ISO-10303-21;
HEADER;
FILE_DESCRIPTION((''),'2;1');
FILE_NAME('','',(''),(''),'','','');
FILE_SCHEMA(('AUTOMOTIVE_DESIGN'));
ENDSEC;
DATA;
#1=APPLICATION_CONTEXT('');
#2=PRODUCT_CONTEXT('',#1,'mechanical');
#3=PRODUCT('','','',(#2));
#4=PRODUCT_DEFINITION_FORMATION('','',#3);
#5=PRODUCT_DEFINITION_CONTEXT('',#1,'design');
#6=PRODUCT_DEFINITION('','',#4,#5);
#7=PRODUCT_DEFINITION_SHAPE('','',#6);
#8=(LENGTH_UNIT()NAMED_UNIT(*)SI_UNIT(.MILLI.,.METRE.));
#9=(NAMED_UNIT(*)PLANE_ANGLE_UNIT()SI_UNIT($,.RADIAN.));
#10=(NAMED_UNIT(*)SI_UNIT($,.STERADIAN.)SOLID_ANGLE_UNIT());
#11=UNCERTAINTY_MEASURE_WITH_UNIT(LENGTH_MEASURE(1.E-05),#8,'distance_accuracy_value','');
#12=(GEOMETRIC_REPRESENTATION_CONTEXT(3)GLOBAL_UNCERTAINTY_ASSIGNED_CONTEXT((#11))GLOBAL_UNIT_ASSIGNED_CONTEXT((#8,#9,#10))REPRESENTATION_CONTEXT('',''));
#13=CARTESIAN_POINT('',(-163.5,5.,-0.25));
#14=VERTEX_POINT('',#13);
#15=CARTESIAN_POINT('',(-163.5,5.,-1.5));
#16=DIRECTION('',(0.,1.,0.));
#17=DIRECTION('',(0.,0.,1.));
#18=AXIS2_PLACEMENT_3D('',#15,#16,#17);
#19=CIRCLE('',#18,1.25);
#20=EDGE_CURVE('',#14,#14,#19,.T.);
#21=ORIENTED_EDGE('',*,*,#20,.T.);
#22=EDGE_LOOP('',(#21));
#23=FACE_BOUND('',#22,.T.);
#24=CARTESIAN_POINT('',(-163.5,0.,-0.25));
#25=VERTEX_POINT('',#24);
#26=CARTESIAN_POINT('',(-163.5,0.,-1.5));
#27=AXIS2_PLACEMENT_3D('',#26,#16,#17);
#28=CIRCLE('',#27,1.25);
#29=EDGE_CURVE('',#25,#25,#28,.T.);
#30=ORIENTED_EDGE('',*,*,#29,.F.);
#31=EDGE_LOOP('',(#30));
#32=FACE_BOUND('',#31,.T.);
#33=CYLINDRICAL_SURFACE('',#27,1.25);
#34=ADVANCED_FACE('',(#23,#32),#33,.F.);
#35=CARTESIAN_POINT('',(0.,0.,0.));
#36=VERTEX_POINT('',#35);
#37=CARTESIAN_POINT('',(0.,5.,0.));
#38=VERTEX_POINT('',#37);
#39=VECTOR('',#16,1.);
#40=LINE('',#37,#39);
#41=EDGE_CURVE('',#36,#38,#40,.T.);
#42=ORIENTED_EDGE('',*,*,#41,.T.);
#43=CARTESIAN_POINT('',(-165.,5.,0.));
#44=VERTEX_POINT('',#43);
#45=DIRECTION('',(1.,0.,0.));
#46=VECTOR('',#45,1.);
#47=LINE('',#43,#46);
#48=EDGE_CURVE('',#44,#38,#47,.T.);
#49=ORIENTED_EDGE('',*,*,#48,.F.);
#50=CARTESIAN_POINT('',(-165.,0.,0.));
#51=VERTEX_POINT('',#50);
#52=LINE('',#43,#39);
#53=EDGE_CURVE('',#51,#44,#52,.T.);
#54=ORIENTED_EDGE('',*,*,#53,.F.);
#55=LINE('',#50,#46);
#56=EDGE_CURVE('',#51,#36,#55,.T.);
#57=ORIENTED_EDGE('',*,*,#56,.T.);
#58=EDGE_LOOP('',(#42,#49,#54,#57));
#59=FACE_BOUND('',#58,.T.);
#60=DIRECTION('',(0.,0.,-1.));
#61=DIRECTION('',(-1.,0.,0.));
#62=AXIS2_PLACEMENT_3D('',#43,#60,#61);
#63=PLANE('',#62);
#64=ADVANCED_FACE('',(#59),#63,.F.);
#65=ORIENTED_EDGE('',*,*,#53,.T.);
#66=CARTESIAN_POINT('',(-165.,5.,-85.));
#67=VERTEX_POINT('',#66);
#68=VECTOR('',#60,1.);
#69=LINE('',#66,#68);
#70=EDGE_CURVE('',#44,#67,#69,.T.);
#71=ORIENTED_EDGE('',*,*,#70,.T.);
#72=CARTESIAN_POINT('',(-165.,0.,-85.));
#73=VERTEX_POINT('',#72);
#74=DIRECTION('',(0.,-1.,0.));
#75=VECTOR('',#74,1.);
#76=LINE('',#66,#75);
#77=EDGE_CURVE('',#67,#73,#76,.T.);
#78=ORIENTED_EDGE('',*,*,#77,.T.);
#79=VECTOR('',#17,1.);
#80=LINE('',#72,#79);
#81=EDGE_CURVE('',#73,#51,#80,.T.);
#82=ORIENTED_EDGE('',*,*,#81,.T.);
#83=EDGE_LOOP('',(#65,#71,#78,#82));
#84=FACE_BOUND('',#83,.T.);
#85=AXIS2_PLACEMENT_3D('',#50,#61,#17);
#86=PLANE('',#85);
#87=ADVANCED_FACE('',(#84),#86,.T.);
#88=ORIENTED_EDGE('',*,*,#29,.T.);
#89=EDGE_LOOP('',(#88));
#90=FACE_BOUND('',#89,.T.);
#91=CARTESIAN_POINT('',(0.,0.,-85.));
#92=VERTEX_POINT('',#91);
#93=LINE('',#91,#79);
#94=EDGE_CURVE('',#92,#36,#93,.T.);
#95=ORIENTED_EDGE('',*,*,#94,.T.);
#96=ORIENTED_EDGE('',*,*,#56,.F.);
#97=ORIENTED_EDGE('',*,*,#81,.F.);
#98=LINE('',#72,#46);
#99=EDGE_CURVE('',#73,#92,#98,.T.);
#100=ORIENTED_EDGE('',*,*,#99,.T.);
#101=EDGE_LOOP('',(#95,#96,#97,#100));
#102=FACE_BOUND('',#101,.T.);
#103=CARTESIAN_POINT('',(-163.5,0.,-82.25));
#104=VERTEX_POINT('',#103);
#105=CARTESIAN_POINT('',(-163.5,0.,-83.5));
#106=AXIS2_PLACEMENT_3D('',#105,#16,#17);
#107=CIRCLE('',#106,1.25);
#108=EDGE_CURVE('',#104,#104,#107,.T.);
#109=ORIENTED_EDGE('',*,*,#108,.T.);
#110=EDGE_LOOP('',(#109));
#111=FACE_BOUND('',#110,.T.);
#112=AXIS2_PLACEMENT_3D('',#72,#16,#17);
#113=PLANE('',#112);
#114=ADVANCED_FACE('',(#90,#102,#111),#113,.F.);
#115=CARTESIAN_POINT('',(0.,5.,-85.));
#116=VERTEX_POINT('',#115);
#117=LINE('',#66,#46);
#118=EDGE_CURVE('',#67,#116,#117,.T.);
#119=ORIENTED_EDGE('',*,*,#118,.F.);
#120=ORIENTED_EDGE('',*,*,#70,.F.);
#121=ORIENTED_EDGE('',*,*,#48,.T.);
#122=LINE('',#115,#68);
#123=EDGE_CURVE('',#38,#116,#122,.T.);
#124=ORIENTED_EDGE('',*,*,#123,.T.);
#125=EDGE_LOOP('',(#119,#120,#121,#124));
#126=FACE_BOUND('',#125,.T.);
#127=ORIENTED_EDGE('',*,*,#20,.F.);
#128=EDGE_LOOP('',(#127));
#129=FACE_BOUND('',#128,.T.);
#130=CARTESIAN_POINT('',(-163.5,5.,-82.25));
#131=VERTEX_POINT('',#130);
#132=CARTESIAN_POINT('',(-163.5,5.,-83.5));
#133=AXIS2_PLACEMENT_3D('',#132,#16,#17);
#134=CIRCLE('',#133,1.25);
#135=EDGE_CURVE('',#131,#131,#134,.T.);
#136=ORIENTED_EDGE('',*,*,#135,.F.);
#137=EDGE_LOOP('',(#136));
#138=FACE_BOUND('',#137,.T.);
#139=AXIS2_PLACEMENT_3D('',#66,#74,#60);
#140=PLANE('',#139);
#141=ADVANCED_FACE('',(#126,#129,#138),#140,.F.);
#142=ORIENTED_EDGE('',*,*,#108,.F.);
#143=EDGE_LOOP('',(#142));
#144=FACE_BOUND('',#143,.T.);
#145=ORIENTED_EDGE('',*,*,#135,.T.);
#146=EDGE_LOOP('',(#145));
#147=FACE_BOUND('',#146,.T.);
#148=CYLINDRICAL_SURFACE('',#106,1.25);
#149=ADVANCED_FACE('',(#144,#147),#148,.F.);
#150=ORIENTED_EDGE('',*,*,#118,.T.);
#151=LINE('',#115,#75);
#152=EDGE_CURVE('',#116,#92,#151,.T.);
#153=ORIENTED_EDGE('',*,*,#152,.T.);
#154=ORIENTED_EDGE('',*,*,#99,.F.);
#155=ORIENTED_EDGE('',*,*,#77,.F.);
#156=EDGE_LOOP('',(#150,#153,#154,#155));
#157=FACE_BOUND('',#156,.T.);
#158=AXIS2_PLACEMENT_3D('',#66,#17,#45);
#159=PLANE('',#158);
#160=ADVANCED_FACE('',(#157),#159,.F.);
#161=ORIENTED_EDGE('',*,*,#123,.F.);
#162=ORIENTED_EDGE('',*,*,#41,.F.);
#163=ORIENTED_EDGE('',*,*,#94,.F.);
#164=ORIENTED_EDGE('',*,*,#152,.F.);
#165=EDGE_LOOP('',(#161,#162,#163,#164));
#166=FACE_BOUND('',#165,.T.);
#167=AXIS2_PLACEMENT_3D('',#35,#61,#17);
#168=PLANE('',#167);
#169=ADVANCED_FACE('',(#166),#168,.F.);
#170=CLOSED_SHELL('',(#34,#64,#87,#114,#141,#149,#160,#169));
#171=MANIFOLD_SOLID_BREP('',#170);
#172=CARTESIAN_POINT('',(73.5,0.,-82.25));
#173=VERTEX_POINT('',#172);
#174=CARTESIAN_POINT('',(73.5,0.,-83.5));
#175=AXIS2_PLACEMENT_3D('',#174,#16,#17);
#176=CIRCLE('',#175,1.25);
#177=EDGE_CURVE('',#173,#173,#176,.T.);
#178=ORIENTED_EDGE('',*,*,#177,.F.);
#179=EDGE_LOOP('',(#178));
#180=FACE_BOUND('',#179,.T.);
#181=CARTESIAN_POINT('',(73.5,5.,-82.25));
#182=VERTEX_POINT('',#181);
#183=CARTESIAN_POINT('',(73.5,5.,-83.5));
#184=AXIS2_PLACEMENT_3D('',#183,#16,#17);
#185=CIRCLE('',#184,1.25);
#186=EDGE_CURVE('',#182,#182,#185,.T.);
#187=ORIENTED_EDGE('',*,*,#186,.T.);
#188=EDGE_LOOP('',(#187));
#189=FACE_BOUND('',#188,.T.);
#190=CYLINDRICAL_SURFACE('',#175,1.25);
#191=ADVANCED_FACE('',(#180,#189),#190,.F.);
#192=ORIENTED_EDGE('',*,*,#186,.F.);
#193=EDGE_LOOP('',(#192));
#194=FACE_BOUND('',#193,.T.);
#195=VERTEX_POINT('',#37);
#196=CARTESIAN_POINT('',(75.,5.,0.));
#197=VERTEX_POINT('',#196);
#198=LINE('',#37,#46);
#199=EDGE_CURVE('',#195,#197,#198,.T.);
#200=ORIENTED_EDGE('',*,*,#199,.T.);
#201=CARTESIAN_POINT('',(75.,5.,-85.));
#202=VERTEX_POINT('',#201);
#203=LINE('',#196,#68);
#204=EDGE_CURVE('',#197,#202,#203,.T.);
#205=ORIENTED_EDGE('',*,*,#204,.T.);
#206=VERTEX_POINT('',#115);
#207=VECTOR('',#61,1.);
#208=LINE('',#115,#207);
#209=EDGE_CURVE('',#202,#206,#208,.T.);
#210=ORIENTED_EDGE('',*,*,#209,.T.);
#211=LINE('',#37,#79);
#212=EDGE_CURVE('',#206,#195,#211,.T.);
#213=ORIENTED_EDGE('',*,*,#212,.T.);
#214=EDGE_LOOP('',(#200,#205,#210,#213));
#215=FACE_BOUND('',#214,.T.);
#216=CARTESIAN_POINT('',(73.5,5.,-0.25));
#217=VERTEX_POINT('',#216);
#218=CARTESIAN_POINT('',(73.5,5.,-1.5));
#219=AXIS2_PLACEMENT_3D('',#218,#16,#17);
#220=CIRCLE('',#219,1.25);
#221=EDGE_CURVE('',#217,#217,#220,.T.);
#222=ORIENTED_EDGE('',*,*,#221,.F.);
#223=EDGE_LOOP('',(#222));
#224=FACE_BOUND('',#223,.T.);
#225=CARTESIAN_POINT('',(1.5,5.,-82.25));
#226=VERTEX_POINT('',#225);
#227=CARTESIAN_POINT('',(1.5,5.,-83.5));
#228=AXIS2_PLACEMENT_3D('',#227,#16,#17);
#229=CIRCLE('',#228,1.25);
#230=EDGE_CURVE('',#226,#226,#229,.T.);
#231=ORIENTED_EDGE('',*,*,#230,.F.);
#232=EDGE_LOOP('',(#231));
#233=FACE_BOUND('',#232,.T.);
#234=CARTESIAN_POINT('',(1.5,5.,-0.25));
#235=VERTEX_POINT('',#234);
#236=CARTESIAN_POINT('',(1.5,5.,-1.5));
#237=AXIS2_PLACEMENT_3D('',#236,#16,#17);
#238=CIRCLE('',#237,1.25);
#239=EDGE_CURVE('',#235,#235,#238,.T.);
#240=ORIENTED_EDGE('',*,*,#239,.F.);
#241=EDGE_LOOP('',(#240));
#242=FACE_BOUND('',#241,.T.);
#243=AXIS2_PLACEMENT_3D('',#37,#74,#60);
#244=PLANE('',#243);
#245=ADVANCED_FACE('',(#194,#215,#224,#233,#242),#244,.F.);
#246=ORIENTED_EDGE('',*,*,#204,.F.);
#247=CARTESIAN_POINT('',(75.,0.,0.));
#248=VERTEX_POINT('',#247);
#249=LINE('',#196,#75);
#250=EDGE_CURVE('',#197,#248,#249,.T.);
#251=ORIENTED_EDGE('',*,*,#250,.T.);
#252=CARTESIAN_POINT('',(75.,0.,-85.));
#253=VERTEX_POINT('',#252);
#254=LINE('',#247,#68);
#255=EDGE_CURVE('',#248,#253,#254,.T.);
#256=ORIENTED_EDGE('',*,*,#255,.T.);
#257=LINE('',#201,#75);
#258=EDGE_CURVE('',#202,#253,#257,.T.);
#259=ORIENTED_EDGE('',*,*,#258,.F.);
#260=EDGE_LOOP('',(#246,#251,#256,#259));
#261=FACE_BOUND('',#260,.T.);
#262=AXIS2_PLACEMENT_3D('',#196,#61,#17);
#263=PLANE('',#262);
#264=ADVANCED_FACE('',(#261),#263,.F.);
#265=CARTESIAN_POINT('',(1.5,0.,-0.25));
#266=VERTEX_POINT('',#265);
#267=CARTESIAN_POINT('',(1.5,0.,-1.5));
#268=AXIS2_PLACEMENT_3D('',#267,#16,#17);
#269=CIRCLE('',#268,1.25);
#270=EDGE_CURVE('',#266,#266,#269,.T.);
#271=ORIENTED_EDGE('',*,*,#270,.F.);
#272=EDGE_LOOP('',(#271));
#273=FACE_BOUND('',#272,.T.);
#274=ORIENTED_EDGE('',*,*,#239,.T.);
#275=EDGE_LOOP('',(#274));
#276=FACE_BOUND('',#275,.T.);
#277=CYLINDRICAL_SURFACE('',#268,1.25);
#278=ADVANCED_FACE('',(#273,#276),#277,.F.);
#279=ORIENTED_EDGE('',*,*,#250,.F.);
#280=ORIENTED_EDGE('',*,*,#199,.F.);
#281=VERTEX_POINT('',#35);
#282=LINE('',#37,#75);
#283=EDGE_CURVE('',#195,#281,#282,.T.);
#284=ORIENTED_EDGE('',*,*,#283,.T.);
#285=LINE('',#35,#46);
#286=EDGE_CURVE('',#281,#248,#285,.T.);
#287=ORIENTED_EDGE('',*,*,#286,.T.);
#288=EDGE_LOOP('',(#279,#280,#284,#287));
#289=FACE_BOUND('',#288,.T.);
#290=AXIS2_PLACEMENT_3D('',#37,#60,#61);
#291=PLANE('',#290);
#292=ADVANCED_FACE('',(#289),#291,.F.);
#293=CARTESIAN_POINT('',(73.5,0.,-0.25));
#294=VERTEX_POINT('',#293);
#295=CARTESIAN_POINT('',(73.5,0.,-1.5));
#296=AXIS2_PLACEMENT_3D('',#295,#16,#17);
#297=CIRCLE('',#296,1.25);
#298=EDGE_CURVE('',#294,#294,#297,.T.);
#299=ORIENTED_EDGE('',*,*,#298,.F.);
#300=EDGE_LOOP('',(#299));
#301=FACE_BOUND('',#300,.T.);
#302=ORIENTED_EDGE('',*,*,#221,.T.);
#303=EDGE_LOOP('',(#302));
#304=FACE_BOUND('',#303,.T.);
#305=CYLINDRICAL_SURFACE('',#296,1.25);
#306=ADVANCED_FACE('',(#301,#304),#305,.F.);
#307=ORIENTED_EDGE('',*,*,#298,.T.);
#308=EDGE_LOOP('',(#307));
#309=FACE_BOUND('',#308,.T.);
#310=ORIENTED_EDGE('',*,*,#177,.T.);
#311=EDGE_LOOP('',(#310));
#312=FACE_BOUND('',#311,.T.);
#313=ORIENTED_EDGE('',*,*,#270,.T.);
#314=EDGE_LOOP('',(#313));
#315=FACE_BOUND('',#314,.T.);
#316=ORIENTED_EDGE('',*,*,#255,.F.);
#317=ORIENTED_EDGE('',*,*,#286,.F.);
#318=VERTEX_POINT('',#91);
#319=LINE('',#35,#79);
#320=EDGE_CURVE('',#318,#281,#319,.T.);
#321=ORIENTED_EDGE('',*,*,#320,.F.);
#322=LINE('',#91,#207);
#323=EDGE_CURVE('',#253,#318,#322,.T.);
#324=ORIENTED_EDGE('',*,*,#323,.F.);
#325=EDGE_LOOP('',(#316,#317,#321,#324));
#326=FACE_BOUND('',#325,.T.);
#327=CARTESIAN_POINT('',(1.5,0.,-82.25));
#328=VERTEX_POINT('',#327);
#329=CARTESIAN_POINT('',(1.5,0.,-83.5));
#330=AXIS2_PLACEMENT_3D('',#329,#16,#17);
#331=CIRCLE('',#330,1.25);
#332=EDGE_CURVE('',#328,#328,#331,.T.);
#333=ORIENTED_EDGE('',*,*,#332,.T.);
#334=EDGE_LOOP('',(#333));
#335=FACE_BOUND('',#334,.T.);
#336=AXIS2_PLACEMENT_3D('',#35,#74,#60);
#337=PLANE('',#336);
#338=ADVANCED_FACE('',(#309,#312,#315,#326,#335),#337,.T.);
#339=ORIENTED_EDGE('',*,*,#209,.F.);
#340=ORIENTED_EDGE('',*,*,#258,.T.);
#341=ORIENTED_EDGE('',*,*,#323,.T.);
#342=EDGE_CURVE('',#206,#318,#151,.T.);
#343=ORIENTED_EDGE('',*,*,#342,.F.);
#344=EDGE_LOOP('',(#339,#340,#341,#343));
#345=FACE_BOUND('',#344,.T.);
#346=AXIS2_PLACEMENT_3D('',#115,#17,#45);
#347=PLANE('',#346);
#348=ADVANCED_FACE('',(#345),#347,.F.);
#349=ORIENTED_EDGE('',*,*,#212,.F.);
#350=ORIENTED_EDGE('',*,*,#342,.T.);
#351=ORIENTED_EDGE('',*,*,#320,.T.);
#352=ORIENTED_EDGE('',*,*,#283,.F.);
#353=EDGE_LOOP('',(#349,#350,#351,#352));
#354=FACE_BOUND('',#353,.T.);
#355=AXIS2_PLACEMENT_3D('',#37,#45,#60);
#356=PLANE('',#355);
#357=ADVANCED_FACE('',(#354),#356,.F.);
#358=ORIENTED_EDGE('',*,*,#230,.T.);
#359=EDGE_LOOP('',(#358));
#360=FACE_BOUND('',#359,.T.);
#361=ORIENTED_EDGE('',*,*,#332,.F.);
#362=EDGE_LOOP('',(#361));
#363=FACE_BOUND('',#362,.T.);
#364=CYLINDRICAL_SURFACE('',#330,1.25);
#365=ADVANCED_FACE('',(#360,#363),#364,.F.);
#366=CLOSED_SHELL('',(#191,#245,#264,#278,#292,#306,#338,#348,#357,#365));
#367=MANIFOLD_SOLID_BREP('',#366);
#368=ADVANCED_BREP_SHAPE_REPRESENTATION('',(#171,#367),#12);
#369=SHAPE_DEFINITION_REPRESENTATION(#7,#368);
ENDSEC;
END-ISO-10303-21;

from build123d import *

# Parameters (mm, degrees)
IZIM1_W                     = 75
IZIM1_H                     = 85
Y_KSEKLIK_EKSTR_ZYON1_DEPTH = 5
IZIM2_W                     = 85
IZIM2_H                     = 5
Y_KSEKLIK_EKSTR_ZYON3_DEPTH = 165
IZIM3_R                     = 1.25
KES_EKSTR_ZYON1_DEPTH       = 186.674446276
IZIM4_R                     = 1.25
KES_EKSTR_ZYON2_DEPTH       = 186.674446276


with BuildPart() as part:
    # Çizim1 → Yükseklik-Ekstrüzyon1 (new body)
    with BuildSketch(Plane(origin=(0, 0, 0), x_dir=(1, 0, 0), z_dir=(0, 1, 0))):
        with Locations((37.5, 42.5)):
            Rectangle(IZIM1_W, IZIM1_H)
    extrude(amount=Y_KSEKLIK_EKSTR_ZYON1_DEPTH)

    # Çizim3 → Kes-Ekstrüzyon1 (cut, through all)
    with BuildSketch(Plane(origin=(0, 5, 0), x_dir=(1, 0, 0), z_dir=(0, 1, 0))):
        with Locations(Location((1.5, 1.5, 0), (0, 0, 270))):
            Circle(IZIM3_R)
        with Locations(Location((73.5, 1.5, 0), (0, 0, 270))):
            Circle(IZIM3_R)
        with Locations(Location((73.5, 83.5, 0), (0, 0, 270))):
            Circle(IZIM3_R)
        with Locations(Location((1.5, 83.5, 0), (0, 0, 270))):
            Circle(IZIM3_R)
    extrude(amount=-KES_EKSTR_ZYON1_DEPTH, mode=Mode.SUBTRACT)


with BuildPart() as body_2:
    # Çizim2 → Yükseklik-Ekstrüzyon3 (new body)
    with BuildSketch(Plane.ZY):
        with Locations((-42.5, 2.5)):
            Rectangle(IZIM2_W, IZIM2_H)
    extrude(amount=Y_KSEKLIK_EKSTR_ZYON3_DEPTH)

    # Çizim4 → Kes-Ekstrüzyon2 (cut, through all)
    with BuildSketch(Plane(origin=(0, 5, 0), x_dir=(1, 0, 0), z_dir=(0, 1, 0))):
        with Locations(Location((-163.5, 1.5, 0), (0, 0, 270))):
            Circle(IZIM4_R)
        with Locations(Location((-163.5, 83.5, 0), (0, 0, 270))):
            Circle(IZIM4_R)
    extrude(amount=-KES_EKSTR_ZYON2_DEPTH, mode=Mode.SUBTRACT)


solid = Compound([part.part, body_2.part])
